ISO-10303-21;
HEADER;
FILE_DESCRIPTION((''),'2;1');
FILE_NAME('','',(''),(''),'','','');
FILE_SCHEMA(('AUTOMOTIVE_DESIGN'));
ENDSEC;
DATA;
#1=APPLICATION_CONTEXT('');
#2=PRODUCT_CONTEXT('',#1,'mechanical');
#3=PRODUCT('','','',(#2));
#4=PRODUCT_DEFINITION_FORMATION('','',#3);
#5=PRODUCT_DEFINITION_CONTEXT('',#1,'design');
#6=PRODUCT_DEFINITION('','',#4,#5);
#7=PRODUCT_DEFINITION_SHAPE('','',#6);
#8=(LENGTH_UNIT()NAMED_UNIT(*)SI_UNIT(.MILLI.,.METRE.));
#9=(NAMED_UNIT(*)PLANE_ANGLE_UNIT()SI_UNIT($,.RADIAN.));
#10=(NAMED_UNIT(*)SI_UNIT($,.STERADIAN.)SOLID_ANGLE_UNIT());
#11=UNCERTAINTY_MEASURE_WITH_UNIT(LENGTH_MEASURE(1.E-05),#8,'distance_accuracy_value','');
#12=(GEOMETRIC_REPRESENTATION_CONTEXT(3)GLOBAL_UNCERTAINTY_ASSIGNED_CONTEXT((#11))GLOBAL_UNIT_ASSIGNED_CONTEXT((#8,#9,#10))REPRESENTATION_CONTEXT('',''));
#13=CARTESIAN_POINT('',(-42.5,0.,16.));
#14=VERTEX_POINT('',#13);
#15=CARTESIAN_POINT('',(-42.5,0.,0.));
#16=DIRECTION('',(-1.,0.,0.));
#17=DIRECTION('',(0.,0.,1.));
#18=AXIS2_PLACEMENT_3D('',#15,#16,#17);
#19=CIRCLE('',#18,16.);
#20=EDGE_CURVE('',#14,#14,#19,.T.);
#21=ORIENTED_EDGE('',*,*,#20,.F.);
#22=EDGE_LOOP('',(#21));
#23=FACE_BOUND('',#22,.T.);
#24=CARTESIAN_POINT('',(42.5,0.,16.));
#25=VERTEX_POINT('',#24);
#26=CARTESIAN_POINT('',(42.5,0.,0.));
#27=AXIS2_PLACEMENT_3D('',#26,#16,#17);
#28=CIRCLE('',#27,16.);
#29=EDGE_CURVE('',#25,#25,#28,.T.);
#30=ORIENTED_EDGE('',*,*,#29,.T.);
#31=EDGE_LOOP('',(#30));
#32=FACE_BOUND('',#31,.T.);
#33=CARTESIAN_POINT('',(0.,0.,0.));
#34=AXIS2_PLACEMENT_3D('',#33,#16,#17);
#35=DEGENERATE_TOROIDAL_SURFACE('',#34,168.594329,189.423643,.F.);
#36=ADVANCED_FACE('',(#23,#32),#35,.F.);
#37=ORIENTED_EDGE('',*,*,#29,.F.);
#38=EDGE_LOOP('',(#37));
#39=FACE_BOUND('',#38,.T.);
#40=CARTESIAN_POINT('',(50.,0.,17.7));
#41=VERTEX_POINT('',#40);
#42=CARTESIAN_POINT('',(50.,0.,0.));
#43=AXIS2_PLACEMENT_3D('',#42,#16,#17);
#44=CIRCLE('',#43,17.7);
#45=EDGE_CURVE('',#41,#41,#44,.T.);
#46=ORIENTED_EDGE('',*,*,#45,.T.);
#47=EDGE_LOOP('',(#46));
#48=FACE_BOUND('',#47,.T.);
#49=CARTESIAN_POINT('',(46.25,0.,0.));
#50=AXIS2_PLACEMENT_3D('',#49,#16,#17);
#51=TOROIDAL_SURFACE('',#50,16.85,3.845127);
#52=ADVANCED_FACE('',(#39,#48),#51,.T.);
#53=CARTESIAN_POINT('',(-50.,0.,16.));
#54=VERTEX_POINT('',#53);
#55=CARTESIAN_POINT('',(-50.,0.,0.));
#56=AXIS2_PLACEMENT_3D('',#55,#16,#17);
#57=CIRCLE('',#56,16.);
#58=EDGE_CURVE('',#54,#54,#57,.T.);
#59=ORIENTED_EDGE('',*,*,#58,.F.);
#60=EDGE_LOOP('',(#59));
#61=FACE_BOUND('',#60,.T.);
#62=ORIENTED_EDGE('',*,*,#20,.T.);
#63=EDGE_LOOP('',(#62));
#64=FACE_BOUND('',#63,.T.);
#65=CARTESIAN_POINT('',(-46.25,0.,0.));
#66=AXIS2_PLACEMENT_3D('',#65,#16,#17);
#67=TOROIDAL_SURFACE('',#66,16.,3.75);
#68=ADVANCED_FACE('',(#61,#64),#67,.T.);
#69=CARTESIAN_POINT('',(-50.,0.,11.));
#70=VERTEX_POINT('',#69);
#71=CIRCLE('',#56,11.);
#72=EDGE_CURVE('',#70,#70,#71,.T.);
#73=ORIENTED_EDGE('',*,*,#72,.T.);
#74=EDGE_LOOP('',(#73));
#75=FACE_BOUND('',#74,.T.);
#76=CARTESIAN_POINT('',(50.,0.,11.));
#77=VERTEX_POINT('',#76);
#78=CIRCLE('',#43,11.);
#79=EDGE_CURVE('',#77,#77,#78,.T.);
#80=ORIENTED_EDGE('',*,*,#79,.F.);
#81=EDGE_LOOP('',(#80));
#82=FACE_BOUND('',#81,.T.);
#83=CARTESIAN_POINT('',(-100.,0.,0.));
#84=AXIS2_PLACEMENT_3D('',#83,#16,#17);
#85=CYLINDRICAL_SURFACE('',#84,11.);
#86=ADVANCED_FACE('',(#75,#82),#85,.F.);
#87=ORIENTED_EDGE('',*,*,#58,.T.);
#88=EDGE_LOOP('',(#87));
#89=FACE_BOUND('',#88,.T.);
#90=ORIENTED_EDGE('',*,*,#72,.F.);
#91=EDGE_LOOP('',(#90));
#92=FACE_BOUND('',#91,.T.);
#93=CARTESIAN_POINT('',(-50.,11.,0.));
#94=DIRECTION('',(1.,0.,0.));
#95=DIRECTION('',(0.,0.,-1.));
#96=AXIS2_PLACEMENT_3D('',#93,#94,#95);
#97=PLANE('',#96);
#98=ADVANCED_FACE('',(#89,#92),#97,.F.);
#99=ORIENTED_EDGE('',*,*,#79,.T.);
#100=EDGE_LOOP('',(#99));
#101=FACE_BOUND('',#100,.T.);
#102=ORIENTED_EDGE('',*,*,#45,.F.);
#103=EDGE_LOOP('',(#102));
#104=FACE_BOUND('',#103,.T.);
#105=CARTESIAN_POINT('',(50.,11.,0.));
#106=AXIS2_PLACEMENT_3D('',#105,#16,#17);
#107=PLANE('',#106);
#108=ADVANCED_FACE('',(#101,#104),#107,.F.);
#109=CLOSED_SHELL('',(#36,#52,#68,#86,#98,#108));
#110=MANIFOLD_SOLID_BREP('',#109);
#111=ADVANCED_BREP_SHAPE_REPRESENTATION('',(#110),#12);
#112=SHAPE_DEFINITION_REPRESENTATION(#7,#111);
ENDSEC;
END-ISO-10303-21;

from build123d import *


with BuildPart() as part:
    # Sketch1 → Revolve1 (revolve)
    with BuildSketch(Plane.XY, mode=Mode.PRIVATE) as revolve1_sk:
        with BuildLine():
            Line((-50, 11), (50, 11))
            Line((50, 11), (50, 17.7))
            ThreePointArc((50, 17.7), (45.4, 20.6), (42.5, 16))
            ThreePointArc((42.5, 16), (0, 20.829313385), (-42.5, 16))
            ThreePointArc((-42.5, 16), (-46.25, 19.75), (-50, 16))
            Line((-50, 16), (-50, 11))
        make_face()
    revolve(revolve1_sk.sketch.rotate(Axis((-100, 0, 0), (1, 0, 0)), 90), axis=Axis((-100, 0, 0), (1, 0, 0)))


solid = part.part
